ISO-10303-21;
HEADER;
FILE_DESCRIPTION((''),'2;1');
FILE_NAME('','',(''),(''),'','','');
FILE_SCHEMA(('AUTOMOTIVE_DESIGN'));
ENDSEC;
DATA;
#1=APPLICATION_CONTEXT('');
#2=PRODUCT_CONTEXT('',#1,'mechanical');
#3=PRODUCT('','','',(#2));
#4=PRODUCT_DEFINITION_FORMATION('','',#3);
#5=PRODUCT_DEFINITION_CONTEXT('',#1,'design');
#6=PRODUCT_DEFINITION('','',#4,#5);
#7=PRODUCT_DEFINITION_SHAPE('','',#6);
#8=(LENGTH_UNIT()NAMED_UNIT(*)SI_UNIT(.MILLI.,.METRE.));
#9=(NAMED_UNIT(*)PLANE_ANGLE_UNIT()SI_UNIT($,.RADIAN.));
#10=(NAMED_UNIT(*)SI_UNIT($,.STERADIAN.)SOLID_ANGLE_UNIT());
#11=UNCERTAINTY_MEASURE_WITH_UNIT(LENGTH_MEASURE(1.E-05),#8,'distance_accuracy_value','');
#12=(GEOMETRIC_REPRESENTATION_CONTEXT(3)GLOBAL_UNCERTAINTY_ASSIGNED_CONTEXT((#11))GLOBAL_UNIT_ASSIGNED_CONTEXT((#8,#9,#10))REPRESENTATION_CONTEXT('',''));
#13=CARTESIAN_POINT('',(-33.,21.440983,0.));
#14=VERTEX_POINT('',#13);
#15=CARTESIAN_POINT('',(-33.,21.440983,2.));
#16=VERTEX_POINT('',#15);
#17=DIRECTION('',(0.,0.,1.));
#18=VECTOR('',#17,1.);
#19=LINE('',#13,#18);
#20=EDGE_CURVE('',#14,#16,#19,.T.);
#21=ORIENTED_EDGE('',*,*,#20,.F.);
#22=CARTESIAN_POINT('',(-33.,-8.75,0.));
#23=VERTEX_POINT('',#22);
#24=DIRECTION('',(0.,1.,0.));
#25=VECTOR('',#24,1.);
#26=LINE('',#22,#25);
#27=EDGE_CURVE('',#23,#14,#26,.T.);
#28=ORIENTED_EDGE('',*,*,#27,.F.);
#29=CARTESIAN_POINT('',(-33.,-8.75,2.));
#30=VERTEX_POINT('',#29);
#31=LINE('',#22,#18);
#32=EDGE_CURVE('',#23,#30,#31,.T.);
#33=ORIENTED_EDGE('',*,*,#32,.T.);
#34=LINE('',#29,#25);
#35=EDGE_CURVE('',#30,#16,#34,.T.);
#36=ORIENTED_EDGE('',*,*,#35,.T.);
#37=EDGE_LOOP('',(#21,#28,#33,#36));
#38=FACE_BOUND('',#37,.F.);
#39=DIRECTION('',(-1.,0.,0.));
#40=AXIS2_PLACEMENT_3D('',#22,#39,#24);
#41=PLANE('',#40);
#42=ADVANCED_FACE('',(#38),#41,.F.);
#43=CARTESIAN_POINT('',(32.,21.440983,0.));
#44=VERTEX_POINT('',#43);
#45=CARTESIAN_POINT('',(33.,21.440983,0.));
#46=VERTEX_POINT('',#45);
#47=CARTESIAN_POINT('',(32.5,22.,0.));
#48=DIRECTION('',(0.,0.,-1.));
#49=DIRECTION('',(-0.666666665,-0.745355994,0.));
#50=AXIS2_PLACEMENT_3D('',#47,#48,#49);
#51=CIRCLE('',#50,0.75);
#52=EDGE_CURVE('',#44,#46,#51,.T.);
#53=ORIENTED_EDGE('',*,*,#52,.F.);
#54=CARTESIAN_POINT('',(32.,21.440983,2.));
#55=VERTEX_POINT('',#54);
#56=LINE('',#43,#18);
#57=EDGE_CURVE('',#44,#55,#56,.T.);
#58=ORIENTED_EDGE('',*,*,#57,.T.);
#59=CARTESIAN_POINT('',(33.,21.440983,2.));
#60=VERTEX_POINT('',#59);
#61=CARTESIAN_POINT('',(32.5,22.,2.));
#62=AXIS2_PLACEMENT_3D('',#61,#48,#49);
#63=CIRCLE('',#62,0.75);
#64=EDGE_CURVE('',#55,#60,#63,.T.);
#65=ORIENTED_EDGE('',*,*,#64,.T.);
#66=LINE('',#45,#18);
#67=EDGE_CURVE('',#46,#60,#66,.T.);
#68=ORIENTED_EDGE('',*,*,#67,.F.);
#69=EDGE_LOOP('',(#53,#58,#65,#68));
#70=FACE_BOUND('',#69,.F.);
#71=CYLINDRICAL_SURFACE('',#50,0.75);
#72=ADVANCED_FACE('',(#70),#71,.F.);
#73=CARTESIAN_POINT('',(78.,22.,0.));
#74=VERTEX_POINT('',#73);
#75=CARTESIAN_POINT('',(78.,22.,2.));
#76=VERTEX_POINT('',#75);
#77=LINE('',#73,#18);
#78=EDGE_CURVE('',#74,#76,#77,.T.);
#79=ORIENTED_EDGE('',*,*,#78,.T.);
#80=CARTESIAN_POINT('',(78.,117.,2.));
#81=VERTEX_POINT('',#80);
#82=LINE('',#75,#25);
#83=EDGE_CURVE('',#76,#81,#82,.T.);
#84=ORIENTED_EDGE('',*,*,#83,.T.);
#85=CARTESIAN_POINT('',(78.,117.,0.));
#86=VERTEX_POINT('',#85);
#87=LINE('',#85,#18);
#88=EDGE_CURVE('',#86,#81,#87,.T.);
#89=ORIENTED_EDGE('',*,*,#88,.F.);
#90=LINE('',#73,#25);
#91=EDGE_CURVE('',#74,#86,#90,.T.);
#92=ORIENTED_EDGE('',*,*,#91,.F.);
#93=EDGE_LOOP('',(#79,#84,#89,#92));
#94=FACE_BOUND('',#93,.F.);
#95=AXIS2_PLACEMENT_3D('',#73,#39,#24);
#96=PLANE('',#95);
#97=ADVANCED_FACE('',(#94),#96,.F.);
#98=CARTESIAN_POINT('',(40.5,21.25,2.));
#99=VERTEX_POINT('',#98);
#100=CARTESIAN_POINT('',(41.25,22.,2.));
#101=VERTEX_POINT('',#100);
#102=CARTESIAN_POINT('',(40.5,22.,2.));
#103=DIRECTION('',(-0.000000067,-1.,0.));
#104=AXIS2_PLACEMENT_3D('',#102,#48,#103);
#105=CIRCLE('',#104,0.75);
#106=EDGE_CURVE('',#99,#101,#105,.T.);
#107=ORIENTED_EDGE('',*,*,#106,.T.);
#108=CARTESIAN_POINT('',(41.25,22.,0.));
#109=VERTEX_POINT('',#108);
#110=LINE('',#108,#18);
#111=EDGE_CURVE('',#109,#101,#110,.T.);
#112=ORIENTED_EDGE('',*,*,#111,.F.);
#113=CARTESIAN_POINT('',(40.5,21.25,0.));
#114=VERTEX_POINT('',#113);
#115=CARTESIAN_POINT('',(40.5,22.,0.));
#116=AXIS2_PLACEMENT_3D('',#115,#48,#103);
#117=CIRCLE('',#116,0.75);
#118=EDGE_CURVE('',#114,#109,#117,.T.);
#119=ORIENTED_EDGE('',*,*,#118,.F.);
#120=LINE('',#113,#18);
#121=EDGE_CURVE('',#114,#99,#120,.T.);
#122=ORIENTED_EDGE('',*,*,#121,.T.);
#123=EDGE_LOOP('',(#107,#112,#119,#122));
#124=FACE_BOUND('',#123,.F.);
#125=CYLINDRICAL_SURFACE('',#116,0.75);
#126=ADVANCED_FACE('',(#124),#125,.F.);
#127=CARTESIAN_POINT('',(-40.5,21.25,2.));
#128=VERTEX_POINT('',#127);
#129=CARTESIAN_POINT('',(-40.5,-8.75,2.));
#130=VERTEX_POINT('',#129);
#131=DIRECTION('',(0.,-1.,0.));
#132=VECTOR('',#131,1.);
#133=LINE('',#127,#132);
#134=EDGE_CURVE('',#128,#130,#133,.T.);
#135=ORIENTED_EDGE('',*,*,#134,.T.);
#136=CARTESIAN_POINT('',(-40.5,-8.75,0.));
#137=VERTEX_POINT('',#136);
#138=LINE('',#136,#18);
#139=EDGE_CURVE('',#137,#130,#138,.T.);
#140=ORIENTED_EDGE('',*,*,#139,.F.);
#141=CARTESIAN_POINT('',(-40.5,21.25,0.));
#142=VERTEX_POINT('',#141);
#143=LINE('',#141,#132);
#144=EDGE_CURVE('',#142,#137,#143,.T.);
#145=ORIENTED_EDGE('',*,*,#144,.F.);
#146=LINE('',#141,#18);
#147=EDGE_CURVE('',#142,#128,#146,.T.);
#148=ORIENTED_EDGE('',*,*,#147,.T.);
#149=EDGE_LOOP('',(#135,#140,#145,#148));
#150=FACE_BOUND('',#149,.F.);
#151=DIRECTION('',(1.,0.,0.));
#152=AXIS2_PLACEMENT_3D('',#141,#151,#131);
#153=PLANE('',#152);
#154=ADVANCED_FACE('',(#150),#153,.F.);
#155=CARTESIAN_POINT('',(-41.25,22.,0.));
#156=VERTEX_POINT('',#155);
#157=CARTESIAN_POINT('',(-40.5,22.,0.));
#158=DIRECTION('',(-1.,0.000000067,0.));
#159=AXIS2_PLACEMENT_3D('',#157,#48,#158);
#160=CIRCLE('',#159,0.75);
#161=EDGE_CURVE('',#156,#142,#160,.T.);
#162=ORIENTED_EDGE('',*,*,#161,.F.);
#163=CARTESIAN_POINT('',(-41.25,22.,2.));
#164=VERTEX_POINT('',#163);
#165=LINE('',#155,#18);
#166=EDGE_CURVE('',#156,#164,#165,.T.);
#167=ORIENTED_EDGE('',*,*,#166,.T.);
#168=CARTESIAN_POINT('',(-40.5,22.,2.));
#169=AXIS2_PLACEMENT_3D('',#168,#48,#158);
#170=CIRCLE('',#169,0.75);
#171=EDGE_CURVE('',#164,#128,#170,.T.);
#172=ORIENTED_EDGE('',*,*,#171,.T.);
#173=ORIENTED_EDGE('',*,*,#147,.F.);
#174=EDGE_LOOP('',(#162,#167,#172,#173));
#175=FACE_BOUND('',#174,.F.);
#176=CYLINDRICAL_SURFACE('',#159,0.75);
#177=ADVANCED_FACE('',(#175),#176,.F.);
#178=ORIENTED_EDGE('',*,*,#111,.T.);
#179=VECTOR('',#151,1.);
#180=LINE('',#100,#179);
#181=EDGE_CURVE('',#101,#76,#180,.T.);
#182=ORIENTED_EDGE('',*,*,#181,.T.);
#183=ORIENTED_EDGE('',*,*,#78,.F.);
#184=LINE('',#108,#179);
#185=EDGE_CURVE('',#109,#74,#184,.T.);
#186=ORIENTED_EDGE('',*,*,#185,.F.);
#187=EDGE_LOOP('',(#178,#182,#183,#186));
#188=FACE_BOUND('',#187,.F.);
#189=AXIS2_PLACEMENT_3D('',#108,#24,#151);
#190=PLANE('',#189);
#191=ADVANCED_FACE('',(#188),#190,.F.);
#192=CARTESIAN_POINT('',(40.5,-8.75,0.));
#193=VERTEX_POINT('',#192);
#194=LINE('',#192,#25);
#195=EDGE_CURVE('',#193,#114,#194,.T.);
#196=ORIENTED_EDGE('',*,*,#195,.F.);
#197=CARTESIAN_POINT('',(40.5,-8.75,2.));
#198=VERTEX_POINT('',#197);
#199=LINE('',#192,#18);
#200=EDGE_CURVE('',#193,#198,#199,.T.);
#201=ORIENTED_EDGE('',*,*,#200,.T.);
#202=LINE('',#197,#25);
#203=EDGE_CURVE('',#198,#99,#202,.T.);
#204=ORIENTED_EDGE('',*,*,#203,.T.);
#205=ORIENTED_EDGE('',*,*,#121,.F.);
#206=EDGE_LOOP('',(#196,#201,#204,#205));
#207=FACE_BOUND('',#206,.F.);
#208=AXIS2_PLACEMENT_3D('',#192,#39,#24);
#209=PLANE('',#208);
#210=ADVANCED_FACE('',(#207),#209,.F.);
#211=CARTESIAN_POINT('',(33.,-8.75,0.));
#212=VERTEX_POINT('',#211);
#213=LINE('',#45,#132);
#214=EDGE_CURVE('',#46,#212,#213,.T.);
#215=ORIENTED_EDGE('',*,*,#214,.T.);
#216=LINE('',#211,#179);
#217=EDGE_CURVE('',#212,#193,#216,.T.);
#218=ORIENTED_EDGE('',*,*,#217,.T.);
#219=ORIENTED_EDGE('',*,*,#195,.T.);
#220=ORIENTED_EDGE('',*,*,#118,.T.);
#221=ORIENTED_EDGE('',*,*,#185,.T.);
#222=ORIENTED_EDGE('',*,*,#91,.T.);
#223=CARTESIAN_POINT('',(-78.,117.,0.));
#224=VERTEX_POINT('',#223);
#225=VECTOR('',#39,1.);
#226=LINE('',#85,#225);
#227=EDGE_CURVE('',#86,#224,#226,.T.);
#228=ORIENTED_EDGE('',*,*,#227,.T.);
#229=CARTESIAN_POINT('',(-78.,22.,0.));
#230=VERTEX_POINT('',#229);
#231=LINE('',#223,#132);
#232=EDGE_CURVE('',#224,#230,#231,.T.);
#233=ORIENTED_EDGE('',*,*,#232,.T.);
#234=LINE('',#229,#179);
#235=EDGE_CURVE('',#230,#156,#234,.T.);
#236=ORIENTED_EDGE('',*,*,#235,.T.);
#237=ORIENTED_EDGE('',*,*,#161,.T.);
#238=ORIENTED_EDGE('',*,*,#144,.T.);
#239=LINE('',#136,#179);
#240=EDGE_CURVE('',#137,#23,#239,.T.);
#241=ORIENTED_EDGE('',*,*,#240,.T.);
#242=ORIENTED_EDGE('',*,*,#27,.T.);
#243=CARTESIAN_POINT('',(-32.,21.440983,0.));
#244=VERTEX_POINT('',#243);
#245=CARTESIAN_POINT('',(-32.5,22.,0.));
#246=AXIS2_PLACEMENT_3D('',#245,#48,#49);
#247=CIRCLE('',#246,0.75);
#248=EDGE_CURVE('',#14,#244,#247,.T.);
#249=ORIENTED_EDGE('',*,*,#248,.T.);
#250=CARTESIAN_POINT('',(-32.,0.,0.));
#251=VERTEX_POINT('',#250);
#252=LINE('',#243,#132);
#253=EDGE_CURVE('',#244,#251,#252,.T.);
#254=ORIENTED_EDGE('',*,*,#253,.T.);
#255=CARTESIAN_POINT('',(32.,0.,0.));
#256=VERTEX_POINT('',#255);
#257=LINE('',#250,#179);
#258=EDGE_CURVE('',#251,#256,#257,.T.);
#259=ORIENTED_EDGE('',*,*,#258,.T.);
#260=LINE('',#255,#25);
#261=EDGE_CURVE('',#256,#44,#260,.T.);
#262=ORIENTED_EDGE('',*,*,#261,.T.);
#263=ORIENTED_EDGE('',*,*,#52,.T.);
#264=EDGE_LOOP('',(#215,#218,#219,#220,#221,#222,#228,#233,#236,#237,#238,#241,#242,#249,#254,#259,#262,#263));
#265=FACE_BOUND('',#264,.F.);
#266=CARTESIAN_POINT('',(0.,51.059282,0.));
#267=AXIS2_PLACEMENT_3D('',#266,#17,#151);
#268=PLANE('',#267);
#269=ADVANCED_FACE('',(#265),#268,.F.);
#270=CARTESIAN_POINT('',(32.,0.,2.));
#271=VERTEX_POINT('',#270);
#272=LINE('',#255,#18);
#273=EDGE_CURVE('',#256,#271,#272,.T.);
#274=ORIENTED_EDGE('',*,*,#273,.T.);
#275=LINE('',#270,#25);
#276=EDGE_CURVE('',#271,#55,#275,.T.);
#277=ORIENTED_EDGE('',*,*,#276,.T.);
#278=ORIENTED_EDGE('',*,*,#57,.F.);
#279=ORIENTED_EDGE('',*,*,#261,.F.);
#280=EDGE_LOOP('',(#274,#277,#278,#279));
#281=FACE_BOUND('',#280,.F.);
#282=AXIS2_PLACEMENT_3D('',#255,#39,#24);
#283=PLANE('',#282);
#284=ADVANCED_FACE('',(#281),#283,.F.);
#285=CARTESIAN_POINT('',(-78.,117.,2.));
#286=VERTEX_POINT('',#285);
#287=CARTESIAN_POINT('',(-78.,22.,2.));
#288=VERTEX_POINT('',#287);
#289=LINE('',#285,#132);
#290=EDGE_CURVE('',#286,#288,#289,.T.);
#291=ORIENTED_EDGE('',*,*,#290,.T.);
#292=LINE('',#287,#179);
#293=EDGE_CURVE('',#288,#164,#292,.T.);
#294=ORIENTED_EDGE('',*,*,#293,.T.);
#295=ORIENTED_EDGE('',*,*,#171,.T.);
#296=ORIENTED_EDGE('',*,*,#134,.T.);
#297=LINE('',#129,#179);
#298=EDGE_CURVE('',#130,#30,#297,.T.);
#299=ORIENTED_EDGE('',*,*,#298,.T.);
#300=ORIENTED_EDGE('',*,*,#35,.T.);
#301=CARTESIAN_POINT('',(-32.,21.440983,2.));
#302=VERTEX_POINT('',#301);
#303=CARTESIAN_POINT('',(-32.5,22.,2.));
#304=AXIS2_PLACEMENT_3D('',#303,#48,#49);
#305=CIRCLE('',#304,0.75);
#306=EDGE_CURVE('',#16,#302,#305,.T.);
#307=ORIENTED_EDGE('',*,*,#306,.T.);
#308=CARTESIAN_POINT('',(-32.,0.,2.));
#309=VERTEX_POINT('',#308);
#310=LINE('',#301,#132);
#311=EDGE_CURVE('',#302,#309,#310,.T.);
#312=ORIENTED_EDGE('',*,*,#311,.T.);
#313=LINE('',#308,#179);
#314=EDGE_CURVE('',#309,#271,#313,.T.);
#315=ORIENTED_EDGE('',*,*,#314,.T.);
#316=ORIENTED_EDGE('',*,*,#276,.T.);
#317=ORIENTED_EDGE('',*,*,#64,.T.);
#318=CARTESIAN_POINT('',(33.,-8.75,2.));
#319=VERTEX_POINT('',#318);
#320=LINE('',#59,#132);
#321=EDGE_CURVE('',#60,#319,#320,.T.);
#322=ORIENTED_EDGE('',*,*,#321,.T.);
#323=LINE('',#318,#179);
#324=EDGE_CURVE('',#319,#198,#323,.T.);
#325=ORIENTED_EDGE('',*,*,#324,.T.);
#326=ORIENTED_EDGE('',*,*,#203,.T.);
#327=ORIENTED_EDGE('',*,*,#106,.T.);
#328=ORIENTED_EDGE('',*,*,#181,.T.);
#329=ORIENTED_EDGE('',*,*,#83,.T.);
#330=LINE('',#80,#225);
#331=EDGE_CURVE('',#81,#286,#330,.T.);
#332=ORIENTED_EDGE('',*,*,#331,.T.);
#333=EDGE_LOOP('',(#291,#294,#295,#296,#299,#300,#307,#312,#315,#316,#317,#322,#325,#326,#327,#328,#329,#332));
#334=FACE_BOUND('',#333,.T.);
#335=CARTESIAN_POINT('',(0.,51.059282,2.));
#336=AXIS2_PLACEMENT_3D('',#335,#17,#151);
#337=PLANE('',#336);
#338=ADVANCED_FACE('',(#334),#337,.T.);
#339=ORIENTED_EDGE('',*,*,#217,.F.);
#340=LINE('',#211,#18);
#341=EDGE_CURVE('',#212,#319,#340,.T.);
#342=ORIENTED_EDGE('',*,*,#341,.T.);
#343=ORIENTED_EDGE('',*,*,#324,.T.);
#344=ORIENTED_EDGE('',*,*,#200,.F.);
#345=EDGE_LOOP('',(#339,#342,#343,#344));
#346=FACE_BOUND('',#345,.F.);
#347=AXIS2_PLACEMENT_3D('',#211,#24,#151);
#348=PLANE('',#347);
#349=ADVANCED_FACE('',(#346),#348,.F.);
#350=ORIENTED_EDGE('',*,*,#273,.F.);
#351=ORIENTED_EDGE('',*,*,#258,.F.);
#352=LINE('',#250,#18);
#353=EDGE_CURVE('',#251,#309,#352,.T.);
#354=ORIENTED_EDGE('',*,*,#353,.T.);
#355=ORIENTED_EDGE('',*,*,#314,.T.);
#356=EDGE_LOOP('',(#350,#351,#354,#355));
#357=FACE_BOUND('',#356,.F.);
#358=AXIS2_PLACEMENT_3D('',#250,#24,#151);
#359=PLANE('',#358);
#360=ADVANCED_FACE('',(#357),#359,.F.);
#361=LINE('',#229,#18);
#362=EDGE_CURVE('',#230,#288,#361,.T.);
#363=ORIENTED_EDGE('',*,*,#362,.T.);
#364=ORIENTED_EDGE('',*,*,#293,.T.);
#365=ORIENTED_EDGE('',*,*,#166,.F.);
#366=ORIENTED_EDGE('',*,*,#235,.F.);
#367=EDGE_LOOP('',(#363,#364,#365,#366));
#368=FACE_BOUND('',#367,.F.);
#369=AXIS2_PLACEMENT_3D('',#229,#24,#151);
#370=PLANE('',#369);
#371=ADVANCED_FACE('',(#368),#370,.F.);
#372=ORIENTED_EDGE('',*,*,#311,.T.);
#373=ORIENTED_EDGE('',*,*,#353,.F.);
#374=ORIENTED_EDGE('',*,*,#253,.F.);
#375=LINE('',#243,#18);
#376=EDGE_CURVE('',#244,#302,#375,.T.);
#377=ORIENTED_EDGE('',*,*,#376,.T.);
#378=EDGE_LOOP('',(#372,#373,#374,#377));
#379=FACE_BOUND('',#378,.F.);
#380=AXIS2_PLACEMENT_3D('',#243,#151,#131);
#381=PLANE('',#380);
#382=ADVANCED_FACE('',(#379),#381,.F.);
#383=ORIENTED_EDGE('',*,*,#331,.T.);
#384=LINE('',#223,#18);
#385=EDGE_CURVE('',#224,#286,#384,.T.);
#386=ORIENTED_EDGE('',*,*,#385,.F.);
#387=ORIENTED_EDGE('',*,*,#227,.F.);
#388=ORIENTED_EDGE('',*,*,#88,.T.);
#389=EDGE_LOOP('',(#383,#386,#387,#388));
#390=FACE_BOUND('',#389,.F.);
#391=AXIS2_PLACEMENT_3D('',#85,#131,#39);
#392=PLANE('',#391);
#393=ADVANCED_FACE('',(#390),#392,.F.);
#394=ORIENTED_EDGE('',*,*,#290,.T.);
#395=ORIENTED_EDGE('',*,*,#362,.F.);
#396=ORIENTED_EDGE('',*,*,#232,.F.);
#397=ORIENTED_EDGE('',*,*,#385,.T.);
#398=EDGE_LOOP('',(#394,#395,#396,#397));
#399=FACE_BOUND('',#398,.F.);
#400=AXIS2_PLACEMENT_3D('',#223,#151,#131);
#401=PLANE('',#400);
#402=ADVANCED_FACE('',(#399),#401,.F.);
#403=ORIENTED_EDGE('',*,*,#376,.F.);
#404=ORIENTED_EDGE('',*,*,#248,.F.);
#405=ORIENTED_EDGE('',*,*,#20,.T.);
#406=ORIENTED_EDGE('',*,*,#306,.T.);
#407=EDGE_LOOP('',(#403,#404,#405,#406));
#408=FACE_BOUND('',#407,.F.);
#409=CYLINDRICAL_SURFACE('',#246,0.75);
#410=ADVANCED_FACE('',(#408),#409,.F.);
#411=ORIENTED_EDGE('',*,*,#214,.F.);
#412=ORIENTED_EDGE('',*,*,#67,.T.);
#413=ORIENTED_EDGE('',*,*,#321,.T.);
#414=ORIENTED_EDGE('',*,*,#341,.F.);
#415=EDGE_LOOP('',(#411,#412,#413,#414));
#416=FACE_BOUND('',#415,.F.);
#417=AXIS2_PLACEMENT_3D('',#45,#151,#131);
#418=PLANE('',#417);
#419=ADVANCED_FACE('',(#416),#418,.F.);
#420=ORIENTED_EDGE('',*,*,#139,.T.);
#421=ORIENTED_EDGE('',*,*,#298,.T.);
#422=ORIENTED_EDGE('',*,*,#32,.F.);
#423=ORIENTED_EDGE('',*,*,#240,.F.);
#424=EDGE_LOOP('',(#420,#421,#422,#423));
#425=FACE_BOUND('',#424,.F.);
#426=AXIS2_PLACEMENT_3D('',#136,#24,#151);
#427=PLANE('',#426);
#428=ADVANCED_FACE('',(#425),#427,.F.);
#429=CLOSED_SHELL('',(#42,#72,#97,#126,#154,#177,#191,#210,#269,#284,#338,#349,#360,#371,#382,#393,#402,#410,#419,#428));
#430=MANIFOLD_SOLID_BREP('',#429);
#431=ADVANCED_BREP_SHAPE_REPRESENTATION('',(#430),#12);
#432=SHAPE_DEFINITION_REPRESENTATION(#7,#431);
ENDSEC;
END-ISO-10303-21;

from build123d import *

# Parameters (mm, degrees)
F1_DEPTH = 2


with BuildPart() as f1:
    # F0 (on Top) → F1 (new body)
    with BuildSketch(Plane.XY):
        with BuildLine():
            Line((78, 117), (0, 117))
            Line((0, 117), (-78, 117))
            Line((-78, 117), (-78, 22))
            Line((-78, 22), (-41.25, 22))
            ThreePointArc((-41.25, 22), (-39.96967, 22.53033), (-40.5, 21.25))
            Line((-40.5, 21.25), (-40.5, -8.75))
            Line((-40.5, -8.75), (-33, -8.75))
            Line((-33, -8.75), (-33, 21.440983))
            ThreePointArc((-33, 21.440983), (-32.5, 22.75), (-32, 21.440983))
            Line((-32, 21.440983), (-32, 0))
            Line((-32, 0), (0, 0))
            Line((0, 0), (32, 0))
            Line((32, 0), (32, 21.440983))
            ThreePointArc((32, 21.440983), (32.5, 22.75), (33, 21.440983))
            Line((33, 21.440983), (33, -8.75))
            Line((33, -8.75), (40.5, -8.75))
            Line((40.5, -8.75), (40.5, 21.25))
            ThreePointArc((40.5, 21.25), (39.96967, 22.53033), (41.25, 22))
            Line((41.25, 22), (78, 22))
            Line((78, 22), (78, 117))
        make_face()
    extrude(amount=F1_DEPTH)


solid = f1.part
